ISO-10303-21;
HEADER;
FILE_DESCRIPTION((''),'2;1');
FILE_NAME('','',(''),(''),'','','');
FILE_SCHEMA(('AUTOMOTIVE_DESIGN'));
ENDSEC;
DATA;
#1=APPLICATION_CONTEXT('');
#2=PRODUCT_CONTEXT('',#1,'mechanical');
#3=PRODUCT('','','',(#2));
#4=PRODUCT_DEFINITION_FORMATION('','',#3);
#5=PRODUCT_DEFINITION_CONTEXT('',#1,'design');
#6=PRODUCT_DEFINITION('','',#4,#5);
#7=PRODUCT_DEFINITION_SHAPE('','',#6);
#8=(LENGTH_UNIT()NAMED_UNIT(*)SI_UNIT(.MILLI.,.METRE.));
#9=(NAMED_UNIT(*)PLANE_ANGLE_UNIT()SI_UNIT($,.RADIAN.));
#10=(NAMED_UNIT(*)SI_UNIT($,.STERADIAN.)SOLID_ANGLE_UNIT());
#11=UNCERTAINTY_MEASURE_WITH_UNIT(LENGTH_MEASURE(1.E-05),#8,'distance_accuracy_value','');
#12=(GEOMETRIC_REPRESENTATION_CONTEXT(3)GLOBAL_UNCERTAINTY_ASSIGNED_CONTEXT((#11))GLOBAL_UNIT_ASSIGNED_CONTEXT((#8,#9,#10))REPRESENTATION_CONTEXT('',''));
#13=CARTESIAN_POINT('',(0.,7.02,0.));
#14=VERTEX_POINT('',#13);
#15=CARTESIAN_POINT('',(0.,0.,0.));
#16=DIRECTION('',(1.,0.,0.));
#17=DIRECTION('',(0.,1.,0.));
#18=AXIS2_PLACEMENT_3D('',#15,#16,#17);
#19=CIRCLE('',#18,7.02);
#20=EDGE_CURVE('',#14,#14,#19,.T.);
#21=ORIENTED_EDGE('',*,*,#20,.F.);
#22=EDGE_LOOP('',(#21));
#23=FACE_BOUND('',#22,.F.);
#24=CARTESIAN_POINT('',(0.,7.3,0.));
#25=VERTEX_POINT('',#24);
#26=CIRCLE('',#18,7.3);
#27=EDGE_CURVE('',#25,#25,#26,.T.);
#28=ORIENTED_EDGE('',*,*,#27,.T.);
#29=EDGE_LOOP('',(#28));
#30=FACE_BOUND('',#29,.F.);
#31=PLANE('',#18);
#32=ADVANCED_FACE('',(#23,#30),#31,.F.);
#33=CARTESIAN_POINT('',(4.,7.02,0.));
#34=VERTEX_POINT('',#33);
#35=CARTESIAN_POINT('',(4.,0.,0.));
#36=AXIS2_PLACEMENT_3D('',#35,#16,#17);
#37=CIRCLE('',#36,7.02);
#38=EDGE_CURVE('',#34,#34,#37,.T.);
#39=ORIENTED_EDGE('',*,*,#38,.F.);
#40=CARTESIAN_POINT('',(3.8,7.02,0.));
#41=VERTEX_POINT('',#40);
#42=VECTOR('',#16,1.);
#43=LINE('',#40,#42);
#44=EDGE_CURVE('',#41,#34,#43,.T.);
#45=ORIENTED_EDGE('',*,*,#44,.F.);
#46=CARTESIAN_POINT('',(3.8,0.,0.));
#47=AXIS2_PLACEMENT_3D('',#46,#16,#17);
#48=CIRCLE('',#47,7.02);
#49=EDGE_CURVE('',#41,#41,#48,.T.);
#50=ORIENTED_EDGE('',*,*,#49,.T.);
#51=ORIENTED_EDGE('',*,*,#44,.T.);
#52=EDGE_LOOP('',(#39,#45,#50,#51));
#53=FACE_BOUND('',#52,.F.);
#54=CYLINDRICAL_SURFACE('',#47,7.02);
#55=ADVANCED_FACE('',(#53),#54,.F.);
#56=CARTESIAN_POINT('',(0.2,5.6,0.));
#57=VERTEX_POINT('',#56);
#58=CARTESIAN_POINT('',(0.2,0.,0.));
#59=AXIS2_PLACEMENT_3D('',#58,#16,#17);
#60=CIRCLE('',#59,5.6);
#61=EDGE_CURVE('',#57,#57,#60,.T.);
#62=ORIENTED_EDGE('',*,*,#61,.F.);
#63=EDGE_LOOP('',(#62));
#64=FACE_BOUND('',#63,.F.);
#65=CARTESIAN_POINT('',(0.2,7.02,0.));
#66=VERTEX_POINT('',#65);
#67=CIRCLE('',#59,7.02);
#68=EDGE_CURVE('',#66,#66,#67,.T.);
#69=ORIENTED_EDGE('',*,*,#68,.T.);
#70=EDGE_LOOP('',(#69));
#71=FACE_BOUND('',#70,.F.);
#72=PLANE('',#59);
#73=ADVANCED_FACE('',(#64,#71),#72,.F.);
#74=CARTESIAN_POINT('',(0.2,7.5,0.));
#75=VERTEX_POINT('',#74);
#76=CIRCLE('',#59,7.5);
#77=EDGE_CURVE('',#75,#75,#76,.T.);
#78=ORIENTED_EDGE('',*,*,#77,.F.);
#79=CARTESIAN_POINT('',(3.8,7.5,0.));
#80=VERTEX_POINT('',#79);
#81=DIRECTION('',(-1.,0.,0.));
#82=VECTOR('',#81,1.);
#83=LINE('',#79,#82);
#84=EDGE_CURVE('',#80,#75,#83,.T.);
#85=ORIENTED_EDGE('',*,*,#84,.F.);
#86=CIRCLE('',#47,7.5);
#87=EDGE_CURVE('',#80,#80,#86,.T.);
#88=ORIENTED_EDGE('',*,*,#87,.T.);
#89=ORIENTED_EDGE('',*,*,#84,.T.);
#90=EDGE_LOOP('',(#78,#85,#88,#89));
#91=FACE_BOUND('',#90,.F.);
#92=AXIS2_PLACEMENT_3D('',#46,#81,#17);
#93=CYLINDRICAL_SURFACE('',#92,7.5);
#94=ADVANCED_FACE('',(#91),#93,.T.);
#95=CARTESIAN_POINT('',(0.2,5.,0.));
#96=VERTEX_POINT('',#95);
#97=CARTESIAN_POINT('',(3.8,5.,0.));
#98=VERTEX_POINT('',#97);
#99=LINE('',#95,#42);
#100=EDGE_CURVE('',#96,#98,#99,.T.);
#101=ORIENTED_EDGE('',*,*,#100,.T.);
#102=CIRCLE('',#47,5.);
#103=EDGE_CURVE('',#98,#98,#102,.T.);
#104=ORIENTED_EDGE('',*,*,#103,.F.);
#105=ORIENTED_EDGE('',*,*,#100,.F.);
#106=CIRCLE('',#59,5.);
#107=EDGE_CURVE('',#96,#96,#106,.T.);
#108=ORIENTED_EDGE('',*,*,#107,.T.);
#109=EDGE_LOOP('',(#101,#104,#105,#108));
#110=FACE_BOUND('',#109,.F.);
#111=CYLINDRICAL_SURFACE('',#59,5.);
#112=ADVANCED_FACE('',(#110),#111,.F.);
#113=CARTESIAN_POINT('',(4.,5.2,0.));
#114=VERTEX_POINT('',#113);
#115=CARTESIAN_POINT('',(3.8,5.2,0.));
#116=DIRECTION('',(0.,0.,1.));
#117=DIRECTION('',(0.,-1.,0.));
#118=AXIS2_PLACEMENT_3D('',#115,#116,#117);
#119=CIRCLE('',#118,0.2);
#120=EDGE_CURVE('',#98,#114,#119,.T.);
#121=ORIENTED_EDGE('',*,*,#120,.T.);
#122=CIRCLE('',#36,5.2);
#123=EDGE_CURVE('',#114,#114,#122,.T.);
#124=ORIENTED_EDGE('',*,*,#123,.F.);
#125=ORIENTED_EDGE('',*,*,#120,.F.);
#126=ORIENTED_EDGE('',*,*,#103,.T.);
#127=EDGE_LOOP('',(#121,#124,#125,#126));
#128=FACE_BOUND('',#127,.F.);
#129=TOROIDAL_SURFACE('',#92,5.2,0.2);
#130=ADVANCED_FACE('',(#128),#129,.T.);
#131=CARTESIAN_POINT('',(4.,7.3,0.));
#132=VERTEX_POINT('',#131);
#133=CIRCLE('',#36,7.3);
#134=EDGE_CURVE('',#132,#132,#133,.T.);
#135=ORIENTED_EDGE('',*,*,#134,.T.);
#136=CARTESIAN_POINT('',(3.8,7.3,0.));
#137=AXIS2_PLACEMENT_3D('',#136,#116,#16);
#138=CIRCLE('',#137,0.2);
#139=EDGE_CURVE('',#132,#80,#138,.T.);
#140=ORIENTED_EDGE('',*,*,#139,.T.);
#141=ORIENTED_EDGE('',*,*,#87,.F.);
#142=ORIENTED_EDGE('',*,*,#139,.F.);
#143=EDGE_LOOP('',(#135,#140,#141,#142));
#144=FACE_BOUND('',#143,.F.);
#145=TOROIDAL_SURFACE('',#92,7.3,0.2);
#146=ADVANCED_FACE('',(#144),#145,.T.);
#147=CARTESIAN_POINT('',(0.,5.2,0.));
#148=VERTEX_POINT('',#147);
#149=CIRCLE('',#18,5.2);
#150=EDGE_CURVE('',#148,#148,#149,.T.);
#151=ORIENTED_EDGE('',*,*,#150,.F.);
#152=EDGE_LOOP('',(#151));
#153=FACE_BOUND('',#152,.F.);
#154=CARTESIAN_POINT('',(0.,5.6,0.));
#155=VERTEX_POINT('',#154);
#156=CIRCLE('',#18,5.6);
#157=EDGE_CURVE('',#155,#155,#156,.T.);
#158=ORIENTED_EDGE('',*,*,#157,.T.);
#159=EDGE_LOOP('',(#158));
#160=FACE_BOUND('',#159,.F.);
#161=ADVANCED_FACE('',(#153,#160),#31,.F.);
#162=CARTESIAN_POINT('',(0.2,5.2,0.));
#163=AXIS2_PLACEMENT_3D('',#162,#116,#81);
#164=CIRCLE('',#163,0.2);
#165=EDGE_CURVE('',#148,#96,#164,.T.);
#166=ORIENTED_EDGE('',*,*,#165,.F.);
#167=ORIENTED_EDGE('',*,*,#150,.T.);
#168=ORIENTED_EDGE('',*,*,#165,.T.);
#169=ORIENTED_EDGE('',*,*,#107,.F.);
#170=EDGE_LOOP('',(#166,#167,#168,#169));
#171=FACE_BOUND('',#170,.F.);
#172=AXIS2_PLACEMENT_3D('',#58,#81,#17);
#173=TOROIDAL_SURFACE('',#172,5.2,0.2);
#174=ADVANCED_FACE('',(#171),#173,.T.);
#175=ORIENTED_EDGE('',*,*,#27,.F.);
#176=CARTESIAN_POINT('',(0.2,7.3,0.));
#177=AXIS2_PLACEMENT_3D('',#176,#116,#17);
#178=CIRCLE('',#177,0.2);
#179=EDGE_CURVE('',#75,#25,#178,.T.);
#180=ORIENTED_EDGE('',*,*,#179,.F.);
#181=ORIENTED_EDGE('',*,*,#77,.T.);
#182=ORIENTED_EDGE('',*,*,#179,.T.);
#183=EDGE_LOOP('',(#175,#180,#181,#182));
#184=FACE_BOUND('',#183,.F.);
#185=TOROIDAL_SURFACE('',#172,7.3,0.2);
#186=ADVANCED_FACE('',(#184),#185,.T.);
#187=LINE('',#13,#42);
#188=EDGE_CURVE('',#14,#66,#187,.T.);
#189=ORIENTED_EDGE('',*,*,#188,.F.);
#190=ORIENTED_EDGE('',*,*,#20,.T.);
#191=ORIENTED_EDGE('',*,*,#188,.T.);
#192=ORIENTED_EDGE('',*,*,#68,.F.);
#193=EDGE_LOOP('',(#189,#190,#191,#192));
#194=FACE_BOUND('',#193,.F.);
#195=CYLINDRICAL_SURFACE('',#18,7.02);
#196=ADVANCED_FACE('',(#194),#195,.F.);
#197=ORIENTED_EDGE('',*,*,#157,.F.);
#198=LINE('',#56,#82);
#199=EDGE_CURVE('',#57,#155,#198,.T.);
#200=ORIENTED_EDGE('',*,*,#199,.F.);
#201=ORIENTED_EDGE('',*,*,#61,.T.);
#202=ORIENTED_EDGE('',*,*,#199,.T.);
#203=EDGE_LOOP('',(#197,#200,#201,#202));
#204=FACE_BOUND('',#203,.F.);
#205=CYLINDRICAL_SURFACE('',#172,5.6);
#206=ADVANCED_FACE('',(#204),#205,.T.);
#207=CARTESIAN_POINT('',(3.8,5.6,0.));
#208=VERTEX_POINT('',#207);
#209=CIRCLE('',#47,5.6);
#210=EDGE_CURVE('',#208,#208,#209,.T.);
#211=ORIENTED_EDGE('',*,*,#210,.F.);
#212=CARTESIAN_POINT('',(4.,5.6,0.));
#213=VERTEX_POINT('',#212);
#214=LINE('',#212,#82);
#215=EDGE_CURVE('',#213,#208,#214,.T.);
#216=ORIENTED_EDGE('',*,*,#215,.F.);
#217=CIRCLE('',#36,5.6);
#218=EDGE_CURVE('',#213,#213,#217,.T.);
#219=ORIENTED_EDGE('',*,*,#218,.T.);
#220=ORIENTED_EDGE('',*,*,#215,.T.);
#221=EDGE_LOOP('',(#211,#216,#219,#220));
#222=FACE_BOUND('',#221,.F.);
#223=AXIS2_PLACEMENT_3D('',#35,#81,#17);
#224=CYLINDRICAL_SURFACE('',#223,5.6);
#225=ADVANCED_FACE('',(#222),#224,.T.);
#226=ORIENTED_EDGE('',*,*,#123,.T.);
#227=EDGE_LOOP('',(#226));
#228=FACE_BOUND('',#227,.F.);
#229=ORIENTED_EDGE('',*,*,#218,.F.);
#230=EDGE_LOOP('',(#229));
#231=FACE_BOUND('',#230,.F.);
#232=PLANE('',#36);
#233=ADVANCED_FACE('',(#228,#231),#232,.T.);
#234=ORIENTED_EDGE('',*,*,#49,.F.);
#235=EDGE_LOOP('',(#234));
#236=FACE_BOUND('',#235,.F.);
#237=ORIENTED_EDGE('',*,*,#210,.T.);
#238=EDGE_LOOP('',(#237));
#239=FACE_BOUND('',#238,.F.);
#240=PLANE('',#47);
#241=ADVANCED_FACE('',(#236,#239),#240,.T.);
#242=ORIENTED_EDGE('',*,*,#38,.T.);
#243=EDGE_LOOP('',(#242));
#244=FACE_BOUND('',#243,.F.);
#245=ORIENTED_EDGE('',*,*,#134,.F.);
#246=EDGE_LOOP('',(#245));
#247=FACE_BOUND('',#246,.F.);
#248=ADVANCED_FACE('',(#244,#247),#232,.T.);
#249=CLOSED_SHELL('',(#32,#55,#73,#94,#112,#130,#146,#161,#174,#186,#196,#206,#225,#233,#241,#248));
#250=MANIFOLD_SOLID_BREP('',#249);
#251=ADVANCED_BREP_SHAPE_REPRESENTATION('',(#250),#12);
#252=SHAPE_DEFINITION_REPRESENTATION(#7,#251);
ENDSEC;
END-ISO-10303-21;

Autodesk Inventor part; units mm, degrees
sketch "Sketch_1" plane through (0, 0, 0) normal (0, 0, 1) x (1, 0, 0)
  line L0 (4, 0) -> (0, 0)
  arc A0 (0, 5.2) -> (0.2, 5) centre (0.2, 5.2) ccw
  line L1 (0.2, 5) -> (3.8, 5)
  arc A1 (3.8, 5) -> (4, 5.2) centre (3.8, 5.2) ccw
  line L2 (4, 5.2) -> (4, 5.6)
  line L3 (4, 5.6) -> (3.8, 5.6)
  line L4 (3.8, 5.6) -> (3.8, 7.02)
  line L5 (3.8, 7.02) -> (4, 7.02)
  line L6 (4, 7.02) -> (4, 7.3)
  arc A2 (4, 7.3) -> (3.8, 7.5) centre (3.8, 7.3) ccw
  line L7 (3.8, 7.5) -> (0.2, 7.5)
  arc A3 (0.2, 7.5) -> (0, 7.3) centre (0.2, 7.3) ccw
  line L8 (0, 7.3) -> (0, 7.02)
  line L9 (0, 7.02) -> (0.2, 7.02)
  line L10 (0.2, 7.02) -> (0.2, 5.6)
  line L11 (0.2, 5.6) -> (0, 5.6)
  line L12 (0, 5.6) -> (0, 5.2)
revolve "Revolution1" add sketch "Sketch_1" angle 360 about axis through (4, 0, 0) along (1, 0, 0)
ref_plane "center_point_XY" through (2, 0, 0) normal (1, 0, 0) x (0, 0, -1)
ref_plane "center_point_YZ" through (2, 0, 0) normal (0, 0, -1) x (0, 1, 0)
ref_plane "center_point_ZX" through (2, 0, 0) normal (0, 1, 0) x (1, 0, 0)
ref_plane "to_housing_XY" through (0, 0, 0) normal (1, 0, 0) x (0, 0, -1)
ref_plane "to_housing_YZ" through (0, 0, 0) normal (0, 0, -1) x (0, 1, 0)
ref_plane "to_housing_ZX" through (0, 0, 0) normal (0, 1, 0) x (1, 0, 0)
ref_plane "to_ring_XY" through (3.6, 0, 0) normal (1, 0, 0) x (0, 0, -1)
ref_plane "to_ring_YZ" through (3.6, 0, 0) normal (0, 0, -1) x (0, 1, 0)
ref_plane "to_ring_ZX" through (3.6, 0, 0) normal (0, 1, 0) x (1, 0, 0)
properties part number "C-E6700ZZ" material "스테인리스스틸"
